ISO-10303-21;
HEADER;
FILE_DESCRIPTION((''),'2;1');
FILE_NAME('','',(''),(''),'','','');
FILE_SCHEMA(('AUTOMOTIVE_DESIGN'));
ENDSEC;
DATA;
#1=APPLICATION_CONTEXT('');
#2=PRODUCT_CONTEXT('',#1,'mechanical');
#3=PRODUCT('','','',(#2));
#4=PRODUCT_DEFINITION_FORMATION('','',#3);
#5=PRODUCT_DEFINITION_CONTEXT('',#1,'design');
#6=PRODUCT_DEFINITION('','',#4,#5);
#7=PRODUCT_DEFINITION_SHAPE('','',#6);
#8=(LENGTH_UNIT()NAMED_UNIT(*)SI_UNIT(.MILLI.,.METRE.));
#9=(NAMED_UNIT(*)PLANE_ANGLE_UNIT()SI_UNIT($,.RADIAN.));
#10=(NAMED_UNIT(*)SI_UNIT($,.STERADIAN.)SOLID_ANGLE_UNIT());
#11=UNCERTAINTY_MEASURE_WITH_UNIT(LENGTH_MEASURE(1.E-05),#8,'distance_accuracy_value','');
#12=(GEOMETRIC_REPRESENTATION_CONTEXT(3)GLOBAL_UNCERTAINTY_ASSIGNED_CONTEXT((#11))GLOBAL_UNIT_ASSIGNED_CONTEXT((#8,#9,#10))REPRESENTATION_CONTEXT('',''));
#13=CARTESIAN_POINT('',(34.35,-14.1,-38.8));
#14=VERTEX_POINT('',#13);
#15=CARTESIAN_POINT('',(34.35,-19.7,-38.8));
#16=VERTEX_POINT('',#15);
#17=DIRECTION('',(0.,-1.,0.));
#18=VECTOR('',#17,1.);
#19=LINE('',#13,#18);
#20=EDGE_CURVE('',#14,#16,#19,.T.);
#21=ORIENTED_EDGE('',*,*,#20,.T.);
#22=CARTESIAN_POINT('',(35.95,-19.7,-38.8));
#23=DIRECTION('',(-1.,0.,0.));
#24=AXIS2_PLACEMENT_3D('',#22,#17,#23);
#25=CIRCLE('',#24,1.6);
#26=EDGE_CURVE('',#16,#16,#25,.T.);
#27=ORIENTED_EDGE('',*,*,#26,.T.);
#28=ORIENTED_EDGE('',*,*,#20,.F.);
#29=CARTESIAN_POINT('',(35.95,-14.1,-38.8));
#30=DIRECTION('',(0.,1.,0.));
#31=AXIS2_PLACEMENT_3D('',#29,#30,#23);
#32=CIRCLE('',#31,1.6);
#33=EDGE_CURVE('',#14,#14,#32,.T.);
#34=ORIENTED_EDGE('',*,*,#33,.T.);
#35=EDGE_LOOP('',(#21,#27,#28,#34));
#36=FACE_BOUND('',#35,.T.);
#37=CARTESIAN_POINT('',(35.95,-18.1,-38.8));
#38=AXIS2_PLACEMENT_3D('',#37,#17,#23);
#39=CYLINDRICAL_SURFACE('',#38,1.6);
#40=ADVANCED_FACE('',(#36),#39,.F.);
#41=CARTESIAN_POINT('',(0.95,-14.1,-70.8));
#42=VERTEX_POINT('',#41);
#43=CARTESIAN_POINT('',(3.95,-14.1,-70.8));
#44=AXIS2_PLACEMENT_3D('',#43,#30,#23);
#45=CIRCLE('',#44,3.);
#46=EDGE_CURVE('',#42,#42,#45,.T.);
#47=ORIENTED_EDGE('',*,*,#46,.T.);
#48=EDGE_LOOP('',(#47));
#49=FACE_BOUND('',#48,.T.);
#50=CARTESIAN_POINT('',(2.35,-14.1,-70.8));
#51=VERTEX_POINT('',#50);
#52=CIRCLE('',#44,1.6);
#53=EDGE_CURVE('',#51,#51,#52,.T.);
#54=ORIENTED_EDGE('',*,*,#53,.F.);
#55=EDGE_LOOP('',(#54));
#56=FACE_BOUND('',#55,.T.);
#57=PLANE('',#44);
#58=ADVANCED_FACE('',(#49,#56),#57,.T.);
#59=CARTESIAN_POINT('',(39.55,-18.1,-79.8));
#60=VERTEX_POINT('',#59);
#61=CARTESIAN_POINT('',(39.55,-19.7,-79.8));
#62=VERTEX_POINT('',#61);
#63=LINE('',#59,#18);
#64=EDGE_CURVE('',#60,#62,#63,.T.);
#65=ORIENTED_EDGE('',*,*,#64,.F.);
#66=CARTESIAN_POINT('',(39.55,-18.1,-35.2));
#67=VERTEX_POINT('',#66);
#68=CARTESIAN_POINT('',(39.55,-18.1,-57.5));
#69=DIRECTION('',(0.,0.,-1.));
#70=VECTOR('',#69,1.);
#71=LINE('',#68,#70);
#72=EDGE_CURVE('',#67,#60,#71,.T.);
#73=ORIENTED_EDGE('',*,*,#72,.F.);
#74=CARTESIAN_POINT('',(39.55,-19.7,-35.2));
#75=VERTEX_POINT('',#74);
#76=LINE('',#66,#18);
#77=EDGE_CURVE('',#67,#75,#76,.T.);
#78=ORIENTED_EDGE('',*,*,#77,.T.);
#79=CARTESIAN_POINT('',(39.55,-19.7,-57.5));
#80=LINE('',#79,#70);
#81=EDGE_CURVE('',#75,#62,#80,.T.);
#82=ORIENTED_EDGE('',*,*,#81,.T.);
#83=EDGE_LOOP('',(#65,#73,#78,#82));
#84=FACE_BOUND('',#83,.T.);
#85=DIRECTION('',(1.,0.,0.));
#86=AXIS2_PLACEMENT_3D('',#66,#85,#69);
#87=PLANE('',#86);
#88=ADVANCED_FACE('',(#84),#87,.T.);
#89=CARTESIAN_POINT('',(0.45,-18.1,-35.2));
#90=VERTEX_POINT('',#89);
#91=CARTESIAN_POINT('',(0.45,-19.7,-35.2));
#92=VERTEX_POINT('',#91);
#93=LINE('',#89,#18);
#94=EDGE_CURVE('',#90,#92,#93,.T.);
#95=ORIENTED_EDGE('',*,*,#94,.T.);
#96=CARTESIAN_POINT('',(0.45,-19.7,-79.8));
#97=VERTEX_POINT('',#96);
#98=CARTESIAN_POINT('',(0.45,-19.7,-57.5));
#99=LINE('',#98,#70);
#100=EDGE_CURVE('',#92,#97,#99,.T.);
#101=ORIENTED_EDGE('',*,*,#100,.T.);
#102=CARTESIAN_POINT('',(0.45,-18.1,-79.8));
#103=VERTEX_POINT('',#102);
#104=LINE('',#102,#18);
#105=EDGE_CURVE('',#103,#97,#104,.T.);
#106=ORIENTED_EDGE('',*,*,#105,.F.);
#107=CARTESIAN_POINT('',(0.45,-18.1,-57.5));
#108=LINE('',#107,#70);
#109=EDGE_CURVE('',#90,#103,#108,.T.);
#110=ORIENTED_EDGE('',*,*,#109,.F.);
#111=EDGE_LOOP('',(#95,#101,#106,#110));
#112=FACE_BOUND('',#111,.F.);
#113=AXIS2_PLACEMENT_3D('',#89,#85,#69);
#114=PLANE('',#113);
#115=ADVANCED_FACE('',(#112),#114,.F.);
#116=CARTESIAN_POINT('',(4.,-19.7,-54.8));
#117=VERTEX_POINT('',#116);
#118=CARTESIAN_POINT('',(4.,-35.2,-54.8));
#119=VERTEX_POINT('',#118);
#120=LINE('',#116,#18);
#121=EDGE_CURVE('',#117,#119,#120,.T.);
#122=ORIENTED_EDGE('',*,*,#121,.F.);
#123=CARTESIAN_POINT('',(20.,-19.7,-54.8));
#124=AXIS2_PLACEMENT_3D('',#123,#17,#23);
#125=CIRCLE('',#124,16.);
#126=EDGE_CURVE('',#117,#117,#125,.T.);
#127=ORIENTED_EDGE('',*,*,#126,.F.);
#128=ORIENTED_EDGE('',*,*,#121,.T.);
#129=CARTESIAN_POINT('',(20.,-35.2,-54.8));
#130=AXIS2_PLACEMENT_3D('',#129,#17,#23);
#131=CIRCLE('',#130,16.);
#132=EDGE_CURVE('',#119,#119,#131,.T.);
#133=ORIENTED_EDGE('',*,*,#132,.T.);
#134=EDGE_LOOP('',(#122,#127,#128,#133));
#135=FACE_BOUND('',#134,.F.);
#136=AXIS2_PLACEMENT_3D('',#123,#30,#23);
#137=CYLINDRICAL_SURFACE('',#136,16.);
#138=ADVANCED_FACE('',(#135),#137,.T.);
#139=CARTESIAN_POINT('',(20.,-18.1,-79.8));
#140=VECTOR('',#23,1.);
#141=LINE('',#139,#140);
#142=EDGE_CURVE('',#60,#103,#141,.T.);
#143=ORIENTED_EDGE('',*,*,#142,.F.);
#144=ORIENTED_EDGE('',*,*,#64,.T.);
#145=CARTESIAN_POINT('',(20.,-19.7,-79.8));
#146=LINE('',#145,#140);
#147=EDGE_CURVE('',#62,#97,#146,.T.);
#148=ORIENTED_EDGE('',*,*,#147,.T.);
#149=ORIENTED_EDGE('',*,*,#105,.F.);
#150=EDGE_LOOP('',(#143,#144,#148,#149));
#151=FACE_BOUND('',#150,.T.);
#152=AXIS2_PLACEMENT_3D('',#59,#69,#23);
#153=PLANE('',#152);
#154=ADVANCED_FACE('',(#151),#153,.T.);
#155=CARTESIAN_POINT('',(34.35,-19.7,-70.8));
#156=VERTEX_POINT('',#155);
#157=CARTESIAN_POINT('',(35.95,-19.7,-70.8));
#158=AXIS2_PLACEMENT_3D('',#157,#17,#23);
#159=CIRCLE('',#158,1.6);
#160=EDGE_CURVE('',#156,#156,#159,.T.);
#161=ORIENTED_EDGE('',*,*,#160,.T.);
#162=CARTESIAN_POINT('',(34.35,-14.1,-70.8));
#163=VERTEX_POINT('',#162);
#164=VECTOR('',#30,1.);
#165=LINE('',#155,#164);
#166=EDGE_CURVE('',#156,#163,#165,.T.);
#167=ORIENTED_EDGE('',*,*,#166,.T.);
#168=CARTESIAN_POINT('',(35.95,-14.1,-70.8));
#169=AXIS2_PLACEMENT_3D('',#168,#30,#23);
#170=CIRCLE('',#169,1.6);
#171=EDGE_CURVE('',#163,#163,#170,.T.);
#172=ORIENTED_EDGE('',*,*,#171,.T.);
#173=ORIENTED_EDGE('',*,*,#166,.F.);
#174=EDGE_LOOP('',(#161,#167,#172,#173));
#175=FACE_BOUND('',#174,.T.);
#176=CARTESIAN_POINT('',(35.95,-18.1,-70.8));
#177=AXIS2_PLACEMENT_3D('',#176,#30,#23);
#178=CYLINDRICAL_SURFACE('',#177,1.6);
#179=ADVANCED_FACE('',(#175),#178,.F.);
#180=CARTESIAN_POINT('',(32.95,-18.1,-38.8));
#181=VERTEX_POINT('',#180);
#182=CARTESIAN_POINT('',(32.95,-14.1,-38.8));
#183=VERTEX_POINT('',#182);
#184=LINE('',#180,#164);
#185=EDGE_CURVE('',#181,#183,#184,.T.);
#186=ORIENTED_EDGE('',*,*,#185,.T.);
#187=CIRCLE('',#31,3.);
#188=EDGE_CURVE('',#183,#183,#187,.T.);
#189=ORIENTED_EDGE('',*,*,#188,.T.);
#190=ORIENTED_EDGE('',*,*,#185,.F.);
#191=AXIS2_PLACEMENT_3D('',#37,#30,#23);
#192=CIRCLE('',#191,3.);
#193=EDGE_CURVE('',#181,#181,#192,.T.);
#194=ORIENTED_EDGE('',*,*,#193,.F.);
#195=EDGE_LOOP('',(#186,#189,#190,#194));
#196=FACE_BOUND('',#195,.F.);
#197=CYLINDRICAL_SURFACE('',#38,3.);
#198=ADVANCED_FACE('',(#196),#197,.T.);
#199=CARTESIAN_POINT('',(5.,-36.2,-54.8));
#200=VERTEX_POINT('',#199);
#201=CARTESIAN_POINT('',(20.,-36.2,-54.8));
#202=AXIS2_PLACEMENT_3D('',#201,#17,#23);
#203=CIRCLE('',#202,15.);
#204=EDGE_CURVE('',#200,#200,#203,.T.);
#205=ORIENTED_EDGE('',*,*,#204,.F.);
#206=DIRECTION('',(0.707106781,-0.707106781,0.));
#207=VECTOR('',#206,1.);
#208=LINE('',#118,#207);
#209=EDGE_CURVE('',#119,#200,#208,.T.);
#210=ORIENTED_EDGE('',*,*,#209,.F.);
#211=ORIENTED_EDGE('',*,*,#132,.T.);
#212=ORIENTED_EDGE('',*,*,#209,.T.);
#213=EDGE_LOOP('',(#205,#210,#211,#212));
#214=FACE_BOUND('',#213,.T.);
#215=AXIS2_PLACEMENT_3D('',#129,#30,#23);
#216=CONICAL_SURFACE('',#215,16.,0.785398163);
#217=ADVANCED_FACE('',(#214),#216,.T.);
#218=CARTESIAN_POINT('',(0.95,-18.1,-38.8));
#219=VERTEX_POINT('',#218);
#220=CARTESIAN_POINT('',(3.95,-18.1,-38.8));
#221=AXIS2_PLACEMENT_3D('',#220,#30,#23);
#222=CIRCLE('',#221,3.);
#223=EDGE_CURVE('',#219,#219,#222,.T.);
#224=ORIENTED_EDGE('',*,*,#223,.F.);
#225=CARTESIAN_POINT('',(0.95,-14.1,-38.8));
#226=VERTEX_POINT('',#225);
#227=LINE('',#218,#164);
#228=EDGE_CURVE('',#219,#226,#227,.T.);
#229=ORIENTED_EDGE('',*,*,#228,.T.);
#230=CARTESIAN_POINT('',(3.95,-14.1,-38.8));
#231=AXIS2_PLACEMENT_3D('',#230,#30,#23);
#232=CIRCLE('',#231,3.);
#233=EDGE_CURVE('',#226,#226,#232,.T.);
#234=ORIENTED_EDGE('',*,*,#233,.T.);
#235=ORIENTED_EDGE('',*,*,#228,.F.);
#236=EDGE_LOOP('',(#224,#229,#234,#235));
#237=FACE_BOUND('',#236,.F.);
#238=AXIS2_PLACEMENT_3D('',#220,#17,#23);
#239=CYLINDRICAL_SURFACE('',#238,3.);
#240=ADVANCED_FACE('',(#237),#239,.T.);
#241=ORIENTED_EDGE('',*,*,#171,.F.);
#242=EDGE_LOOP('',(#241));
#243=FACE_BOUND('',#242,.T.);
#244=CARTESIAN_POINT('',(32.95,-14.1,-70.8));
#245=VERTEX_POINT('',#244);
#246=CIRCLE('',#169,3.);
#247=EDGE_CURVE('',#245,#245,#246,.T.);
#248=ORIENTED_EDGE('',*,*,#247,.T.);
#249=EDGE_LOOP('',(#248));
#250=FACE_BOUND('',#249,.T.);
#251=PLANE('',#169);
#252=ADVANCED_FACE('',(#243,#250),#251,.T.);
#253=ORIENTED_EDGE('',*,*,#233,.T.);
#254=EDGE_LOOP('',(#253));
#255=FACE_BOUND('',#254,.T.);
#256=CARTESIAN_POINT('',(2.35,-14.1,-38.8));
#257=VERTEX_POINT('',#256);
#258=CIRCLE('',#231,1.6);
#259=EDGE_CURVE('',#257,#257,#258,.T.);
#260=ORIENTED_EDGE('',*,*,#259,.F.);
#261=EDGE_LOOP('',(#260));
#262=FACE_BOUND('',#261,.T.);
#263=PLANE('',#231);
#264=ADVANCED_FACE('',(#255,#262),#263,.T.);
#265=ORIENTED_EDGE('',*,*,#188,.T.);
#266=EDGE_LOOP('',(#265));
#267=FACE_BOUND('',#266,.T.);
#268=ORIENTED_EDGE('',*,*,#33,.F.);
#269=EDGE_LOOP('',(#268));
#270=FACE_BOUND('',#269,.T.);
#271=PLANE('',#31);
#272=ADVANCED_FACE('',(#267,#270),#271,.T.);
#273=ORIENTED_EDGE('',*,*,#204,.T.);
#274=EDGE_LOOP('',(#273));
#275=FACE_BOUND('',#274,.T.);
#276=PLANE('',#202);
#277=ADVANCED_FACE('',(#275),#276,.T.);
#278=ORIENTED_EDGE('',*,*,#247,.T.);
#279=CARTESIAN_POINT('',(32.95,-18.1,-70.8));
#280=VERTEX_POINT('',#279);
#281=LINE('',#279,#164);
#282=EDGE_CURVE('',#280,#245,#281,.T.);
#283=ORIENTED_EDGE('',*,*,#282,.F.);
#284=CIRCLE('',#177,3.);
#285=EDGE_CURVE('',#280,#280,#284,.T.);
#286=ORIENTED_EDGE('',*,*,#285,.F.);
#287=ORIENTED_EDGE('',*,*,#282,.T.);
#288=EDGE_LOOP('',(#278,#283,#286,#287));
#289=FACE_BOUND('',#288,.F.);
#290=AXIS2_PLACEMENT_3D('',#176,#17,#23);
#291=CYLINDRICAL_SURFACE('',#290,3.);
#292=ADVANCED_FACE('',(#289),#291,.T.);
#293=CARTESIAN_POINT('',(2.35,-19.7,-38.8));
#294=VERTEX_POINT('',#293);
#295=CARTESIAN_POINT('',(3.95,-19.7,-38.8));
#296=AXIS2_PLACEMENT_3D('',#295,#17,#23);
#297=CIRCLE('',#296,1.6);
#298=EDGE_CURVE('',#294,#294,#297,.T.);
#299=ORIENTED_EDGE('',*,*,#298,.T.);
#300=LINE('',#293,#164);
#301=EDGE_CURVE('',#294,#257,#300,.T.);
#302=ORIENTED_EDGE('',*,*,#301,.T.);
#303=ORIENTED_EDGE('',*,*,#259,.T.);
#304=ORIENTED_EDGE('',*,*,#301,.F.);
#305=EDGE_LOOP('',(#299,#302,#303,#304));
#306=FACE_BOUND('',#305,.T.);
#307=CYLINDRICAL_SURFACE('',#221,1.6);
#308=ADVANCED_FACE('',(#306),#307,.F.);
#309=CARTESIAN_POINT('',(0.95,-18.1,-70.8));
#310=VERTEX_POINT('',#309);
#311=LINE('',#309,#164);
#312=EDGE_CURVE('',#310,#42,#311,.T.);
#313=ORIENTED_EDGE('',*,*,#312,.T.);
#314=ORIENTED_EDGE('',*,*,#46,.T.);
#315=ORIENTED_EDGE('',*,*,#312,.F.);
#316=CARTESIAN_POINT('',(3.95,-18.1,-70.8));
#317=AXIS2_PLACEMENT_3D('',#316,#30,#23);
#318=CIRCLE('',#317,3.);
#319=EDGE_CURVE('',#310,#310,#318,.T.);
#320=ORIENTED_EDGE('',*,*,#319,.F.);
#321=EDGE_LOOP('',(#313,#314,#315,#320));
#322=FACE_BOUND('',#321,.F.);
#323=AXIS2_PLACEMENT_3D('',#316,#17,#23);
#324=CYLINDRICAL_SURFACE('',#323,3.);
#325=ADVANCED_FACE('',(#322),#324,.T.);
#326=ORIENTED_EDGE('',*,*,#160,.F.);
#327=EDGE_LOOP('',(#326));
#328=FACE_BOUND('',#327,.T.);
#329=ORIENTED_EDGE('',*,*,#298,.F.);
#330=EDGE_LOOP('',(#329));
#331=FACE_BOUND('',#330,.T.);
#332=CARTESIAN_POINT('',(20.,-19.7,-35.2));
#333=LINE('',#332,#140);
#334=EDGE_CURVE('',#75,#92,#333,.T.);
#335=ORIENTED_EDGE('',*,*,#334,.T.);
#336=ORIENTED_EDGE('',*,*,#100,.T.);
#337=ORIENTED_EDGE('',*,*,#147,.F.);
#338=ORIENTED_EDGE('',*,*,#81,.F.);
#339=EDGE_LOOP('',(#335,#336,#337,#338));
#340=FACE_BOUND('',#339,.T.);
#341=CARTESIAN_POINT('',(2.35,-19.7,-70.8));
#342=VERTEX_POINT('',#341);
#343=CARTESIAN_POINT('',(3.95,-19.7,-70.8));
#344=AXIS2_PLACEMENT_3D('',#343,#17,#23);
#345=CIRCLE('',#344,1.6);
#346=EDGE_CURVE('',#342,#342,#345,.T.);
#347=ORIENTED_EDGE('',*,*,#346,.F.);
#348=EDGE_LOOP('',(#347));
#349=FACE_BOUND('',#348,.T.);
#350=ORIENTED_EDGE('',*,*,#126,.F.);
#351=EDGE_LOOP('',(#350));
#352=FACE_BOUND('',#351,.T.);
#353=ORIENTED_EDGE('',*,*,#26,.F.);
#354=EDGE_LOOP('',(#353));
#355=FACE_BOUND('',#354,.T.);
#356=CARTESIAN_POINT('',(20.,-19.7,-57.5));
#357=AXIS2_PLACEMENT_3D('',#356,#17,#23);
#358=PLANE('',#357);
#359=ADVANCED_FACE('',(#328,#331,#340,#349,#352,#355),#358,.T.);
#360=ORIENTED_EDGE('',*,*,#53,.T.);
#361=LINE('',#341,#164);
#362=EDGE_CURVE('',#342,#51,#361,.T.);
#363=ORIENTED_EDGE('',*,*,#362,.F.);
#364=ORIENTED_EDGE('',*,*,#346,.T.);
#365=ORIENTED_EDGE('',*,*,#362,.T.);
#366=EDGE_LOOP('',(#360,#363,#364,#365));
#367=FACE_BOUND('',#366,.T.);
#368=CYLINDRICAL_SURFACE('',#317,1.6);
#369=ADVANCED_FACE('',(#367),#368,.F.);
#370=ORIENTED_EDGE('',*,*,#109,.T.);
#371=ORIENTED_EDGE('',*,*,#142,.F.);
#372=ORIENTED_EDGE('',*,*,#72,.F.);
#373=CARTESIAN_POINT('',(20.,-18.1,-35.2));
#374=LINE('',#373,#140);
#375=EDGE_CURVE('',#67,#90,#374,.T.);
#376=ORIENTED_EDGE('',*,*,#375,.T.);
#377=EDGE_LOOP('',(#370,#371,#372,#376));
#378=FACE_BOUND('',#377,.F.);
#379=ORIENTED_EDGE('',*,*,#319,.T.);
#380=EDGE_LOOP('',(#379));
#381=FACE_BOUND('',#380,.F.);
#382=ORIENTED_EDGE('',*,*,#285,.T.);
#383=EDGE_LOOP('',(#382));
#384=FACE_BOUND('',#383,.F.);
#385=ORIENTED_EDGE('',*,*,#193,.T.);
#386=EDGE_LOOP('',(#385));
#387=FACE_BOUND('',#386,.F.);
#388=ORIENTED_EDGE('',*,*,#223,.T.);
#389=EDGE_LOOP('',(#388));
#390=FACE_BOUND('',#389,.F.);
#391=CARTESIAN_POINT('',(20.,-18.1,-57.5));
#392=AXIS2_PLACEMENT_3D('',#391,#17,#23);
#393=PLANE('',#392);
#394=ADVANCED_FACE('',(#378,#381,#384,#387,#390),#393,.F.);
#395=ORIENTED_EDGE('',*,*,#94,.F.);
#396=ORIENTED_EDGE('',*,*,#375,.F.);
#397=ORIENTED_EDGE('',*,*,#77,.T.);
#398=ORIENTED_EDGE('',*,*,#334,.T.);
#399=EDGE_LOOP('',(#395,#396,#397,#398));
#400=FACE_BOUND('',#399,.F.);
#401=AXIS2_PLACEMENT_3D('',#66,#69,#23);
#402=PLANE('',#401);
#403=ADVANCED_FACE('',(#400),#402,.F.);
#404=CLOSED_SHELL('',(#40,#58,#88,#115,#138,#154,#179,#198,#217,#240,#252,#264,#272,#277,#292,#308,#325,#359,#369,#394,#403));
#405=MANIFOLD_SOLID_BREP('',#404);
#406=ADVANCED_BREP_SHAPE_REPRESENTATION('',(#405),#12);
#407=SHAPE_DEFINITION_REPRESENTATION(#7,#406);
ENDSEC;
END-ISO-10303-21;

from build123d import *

# Parameters (mm, degrees)
SKETCH011_W              = 39.1
SKETCH011_H              = 44.6
SKETCH011_R              = 1.6
PAD007_DEPTH             = 1.6
SKETCH012_R              = 16
PAD008_DEPTH             = 16.5
SKETCH013_R              = 3
SKETCH013_R_2            = 1.6
PAD009_DEPTH             = 4
CHAMFER001_SIZE          = 1
CLONE001_PLACEMENT_ANGLE = 180


with BuildPart() as part:
    # Sketch011 → Pad007 (new body)
    with BuildSketch(Plane.XZ):
        Rectangle(SKETCH011_W, SKETCH011_H)
        with Locations((-15.95, 13.3)):
            Circle(SKETCH011_R, mode=Mode.SUBTRACT)
        with Locations((16.05, 13.3)):
            Circle(SKETCH011_R, mode=Mode.SUBTRACT)
        with Locations((16.05, -18.7)):
            Circle(SKETCH011_R, mode=Mode.SUBTRACT)
        with Locations((-15.95, -18.7)):
            Circle(SKETCH011_R, mode=Mode.SUBTRACT)
    extrude(amount=PAD007_DEPTH)

    # Sketch012 (on Face10 of Pad007) → Pad008 (join)
    with BuildSketch(Plane.XZ.offset(1.6)):
        with Locations((0, -2.7)):
            Circle(SKETCH012_R)
    extrude(amount=PAD008_DEPTH)

    # Sketch013 (on Face4 of Pad008) → Pad009 (join)
    with BuildSketch(Plane(origin=(0, 0, 0), x_dir=(1, 0, 0), z_dir=(0, 1, 0))):
        with Locations((-15.95, 18.7)):
            Circle(SKETCH013_R)
        with Locations((-15.95, 18.7)):
            Circle(SKETCH013_R_2, mode=Mode.SUBTRACT)
        with Locations((16.05, 18.7)):
            Circle(SKETCH013_R)
        with Locations((16.05, 18.7)):
            Circle(SKETCH013_R_2, mode=Mode.SUBTRACT)
        with Locations((16.05, -13.3)):
            Circle(SKETCH013_R)
        with Locations((16.05, -13.3)):
            Circle(SKETCH013_R_2, mode=Mode.SUBTRACT)
        with Locations((-15.95, -13.3)):
            Circle(SKETCH013_R)
        with Locations((-15.95, -13.3)):
            Circle(SKETCH013_R_2, mode=Mode.SUBTRACT)
    extrude(amount=PAD009_DEPTH)

    # Chamfer001
    chamfer001_edges = [part.edges().sort_by_distance(p)[0] for p in [
        (-16, -18.1, -2.7),
    ]]
    chamfer(chamfer001_edges, length=CHAMFER001_SIZE)


with BuildPart() as part_1:
    # Body008 placement: moved
    add(part.part.moved(Location((-20, -18.1, -102.9))))


with BuildPart() as part_2:
    # Clone placement: moved
    add(part_1.part.moved(Location((40, 0, 0))))


with BuildPart() as part_3:
    # Clone001 placement: moved
    add(part_2.part.moved(Location((0, 0, -160.4))).rotate(Axis((0, 0, -160.4), (0, 1, 0)), CLONE001_PLACEMENT_ANGLE))


with BuildPart() as part_4:
    # Clone002 placement: moved
    add(part_3.part.moved(Location((40, 0, 0))))


solid = part_4.part
